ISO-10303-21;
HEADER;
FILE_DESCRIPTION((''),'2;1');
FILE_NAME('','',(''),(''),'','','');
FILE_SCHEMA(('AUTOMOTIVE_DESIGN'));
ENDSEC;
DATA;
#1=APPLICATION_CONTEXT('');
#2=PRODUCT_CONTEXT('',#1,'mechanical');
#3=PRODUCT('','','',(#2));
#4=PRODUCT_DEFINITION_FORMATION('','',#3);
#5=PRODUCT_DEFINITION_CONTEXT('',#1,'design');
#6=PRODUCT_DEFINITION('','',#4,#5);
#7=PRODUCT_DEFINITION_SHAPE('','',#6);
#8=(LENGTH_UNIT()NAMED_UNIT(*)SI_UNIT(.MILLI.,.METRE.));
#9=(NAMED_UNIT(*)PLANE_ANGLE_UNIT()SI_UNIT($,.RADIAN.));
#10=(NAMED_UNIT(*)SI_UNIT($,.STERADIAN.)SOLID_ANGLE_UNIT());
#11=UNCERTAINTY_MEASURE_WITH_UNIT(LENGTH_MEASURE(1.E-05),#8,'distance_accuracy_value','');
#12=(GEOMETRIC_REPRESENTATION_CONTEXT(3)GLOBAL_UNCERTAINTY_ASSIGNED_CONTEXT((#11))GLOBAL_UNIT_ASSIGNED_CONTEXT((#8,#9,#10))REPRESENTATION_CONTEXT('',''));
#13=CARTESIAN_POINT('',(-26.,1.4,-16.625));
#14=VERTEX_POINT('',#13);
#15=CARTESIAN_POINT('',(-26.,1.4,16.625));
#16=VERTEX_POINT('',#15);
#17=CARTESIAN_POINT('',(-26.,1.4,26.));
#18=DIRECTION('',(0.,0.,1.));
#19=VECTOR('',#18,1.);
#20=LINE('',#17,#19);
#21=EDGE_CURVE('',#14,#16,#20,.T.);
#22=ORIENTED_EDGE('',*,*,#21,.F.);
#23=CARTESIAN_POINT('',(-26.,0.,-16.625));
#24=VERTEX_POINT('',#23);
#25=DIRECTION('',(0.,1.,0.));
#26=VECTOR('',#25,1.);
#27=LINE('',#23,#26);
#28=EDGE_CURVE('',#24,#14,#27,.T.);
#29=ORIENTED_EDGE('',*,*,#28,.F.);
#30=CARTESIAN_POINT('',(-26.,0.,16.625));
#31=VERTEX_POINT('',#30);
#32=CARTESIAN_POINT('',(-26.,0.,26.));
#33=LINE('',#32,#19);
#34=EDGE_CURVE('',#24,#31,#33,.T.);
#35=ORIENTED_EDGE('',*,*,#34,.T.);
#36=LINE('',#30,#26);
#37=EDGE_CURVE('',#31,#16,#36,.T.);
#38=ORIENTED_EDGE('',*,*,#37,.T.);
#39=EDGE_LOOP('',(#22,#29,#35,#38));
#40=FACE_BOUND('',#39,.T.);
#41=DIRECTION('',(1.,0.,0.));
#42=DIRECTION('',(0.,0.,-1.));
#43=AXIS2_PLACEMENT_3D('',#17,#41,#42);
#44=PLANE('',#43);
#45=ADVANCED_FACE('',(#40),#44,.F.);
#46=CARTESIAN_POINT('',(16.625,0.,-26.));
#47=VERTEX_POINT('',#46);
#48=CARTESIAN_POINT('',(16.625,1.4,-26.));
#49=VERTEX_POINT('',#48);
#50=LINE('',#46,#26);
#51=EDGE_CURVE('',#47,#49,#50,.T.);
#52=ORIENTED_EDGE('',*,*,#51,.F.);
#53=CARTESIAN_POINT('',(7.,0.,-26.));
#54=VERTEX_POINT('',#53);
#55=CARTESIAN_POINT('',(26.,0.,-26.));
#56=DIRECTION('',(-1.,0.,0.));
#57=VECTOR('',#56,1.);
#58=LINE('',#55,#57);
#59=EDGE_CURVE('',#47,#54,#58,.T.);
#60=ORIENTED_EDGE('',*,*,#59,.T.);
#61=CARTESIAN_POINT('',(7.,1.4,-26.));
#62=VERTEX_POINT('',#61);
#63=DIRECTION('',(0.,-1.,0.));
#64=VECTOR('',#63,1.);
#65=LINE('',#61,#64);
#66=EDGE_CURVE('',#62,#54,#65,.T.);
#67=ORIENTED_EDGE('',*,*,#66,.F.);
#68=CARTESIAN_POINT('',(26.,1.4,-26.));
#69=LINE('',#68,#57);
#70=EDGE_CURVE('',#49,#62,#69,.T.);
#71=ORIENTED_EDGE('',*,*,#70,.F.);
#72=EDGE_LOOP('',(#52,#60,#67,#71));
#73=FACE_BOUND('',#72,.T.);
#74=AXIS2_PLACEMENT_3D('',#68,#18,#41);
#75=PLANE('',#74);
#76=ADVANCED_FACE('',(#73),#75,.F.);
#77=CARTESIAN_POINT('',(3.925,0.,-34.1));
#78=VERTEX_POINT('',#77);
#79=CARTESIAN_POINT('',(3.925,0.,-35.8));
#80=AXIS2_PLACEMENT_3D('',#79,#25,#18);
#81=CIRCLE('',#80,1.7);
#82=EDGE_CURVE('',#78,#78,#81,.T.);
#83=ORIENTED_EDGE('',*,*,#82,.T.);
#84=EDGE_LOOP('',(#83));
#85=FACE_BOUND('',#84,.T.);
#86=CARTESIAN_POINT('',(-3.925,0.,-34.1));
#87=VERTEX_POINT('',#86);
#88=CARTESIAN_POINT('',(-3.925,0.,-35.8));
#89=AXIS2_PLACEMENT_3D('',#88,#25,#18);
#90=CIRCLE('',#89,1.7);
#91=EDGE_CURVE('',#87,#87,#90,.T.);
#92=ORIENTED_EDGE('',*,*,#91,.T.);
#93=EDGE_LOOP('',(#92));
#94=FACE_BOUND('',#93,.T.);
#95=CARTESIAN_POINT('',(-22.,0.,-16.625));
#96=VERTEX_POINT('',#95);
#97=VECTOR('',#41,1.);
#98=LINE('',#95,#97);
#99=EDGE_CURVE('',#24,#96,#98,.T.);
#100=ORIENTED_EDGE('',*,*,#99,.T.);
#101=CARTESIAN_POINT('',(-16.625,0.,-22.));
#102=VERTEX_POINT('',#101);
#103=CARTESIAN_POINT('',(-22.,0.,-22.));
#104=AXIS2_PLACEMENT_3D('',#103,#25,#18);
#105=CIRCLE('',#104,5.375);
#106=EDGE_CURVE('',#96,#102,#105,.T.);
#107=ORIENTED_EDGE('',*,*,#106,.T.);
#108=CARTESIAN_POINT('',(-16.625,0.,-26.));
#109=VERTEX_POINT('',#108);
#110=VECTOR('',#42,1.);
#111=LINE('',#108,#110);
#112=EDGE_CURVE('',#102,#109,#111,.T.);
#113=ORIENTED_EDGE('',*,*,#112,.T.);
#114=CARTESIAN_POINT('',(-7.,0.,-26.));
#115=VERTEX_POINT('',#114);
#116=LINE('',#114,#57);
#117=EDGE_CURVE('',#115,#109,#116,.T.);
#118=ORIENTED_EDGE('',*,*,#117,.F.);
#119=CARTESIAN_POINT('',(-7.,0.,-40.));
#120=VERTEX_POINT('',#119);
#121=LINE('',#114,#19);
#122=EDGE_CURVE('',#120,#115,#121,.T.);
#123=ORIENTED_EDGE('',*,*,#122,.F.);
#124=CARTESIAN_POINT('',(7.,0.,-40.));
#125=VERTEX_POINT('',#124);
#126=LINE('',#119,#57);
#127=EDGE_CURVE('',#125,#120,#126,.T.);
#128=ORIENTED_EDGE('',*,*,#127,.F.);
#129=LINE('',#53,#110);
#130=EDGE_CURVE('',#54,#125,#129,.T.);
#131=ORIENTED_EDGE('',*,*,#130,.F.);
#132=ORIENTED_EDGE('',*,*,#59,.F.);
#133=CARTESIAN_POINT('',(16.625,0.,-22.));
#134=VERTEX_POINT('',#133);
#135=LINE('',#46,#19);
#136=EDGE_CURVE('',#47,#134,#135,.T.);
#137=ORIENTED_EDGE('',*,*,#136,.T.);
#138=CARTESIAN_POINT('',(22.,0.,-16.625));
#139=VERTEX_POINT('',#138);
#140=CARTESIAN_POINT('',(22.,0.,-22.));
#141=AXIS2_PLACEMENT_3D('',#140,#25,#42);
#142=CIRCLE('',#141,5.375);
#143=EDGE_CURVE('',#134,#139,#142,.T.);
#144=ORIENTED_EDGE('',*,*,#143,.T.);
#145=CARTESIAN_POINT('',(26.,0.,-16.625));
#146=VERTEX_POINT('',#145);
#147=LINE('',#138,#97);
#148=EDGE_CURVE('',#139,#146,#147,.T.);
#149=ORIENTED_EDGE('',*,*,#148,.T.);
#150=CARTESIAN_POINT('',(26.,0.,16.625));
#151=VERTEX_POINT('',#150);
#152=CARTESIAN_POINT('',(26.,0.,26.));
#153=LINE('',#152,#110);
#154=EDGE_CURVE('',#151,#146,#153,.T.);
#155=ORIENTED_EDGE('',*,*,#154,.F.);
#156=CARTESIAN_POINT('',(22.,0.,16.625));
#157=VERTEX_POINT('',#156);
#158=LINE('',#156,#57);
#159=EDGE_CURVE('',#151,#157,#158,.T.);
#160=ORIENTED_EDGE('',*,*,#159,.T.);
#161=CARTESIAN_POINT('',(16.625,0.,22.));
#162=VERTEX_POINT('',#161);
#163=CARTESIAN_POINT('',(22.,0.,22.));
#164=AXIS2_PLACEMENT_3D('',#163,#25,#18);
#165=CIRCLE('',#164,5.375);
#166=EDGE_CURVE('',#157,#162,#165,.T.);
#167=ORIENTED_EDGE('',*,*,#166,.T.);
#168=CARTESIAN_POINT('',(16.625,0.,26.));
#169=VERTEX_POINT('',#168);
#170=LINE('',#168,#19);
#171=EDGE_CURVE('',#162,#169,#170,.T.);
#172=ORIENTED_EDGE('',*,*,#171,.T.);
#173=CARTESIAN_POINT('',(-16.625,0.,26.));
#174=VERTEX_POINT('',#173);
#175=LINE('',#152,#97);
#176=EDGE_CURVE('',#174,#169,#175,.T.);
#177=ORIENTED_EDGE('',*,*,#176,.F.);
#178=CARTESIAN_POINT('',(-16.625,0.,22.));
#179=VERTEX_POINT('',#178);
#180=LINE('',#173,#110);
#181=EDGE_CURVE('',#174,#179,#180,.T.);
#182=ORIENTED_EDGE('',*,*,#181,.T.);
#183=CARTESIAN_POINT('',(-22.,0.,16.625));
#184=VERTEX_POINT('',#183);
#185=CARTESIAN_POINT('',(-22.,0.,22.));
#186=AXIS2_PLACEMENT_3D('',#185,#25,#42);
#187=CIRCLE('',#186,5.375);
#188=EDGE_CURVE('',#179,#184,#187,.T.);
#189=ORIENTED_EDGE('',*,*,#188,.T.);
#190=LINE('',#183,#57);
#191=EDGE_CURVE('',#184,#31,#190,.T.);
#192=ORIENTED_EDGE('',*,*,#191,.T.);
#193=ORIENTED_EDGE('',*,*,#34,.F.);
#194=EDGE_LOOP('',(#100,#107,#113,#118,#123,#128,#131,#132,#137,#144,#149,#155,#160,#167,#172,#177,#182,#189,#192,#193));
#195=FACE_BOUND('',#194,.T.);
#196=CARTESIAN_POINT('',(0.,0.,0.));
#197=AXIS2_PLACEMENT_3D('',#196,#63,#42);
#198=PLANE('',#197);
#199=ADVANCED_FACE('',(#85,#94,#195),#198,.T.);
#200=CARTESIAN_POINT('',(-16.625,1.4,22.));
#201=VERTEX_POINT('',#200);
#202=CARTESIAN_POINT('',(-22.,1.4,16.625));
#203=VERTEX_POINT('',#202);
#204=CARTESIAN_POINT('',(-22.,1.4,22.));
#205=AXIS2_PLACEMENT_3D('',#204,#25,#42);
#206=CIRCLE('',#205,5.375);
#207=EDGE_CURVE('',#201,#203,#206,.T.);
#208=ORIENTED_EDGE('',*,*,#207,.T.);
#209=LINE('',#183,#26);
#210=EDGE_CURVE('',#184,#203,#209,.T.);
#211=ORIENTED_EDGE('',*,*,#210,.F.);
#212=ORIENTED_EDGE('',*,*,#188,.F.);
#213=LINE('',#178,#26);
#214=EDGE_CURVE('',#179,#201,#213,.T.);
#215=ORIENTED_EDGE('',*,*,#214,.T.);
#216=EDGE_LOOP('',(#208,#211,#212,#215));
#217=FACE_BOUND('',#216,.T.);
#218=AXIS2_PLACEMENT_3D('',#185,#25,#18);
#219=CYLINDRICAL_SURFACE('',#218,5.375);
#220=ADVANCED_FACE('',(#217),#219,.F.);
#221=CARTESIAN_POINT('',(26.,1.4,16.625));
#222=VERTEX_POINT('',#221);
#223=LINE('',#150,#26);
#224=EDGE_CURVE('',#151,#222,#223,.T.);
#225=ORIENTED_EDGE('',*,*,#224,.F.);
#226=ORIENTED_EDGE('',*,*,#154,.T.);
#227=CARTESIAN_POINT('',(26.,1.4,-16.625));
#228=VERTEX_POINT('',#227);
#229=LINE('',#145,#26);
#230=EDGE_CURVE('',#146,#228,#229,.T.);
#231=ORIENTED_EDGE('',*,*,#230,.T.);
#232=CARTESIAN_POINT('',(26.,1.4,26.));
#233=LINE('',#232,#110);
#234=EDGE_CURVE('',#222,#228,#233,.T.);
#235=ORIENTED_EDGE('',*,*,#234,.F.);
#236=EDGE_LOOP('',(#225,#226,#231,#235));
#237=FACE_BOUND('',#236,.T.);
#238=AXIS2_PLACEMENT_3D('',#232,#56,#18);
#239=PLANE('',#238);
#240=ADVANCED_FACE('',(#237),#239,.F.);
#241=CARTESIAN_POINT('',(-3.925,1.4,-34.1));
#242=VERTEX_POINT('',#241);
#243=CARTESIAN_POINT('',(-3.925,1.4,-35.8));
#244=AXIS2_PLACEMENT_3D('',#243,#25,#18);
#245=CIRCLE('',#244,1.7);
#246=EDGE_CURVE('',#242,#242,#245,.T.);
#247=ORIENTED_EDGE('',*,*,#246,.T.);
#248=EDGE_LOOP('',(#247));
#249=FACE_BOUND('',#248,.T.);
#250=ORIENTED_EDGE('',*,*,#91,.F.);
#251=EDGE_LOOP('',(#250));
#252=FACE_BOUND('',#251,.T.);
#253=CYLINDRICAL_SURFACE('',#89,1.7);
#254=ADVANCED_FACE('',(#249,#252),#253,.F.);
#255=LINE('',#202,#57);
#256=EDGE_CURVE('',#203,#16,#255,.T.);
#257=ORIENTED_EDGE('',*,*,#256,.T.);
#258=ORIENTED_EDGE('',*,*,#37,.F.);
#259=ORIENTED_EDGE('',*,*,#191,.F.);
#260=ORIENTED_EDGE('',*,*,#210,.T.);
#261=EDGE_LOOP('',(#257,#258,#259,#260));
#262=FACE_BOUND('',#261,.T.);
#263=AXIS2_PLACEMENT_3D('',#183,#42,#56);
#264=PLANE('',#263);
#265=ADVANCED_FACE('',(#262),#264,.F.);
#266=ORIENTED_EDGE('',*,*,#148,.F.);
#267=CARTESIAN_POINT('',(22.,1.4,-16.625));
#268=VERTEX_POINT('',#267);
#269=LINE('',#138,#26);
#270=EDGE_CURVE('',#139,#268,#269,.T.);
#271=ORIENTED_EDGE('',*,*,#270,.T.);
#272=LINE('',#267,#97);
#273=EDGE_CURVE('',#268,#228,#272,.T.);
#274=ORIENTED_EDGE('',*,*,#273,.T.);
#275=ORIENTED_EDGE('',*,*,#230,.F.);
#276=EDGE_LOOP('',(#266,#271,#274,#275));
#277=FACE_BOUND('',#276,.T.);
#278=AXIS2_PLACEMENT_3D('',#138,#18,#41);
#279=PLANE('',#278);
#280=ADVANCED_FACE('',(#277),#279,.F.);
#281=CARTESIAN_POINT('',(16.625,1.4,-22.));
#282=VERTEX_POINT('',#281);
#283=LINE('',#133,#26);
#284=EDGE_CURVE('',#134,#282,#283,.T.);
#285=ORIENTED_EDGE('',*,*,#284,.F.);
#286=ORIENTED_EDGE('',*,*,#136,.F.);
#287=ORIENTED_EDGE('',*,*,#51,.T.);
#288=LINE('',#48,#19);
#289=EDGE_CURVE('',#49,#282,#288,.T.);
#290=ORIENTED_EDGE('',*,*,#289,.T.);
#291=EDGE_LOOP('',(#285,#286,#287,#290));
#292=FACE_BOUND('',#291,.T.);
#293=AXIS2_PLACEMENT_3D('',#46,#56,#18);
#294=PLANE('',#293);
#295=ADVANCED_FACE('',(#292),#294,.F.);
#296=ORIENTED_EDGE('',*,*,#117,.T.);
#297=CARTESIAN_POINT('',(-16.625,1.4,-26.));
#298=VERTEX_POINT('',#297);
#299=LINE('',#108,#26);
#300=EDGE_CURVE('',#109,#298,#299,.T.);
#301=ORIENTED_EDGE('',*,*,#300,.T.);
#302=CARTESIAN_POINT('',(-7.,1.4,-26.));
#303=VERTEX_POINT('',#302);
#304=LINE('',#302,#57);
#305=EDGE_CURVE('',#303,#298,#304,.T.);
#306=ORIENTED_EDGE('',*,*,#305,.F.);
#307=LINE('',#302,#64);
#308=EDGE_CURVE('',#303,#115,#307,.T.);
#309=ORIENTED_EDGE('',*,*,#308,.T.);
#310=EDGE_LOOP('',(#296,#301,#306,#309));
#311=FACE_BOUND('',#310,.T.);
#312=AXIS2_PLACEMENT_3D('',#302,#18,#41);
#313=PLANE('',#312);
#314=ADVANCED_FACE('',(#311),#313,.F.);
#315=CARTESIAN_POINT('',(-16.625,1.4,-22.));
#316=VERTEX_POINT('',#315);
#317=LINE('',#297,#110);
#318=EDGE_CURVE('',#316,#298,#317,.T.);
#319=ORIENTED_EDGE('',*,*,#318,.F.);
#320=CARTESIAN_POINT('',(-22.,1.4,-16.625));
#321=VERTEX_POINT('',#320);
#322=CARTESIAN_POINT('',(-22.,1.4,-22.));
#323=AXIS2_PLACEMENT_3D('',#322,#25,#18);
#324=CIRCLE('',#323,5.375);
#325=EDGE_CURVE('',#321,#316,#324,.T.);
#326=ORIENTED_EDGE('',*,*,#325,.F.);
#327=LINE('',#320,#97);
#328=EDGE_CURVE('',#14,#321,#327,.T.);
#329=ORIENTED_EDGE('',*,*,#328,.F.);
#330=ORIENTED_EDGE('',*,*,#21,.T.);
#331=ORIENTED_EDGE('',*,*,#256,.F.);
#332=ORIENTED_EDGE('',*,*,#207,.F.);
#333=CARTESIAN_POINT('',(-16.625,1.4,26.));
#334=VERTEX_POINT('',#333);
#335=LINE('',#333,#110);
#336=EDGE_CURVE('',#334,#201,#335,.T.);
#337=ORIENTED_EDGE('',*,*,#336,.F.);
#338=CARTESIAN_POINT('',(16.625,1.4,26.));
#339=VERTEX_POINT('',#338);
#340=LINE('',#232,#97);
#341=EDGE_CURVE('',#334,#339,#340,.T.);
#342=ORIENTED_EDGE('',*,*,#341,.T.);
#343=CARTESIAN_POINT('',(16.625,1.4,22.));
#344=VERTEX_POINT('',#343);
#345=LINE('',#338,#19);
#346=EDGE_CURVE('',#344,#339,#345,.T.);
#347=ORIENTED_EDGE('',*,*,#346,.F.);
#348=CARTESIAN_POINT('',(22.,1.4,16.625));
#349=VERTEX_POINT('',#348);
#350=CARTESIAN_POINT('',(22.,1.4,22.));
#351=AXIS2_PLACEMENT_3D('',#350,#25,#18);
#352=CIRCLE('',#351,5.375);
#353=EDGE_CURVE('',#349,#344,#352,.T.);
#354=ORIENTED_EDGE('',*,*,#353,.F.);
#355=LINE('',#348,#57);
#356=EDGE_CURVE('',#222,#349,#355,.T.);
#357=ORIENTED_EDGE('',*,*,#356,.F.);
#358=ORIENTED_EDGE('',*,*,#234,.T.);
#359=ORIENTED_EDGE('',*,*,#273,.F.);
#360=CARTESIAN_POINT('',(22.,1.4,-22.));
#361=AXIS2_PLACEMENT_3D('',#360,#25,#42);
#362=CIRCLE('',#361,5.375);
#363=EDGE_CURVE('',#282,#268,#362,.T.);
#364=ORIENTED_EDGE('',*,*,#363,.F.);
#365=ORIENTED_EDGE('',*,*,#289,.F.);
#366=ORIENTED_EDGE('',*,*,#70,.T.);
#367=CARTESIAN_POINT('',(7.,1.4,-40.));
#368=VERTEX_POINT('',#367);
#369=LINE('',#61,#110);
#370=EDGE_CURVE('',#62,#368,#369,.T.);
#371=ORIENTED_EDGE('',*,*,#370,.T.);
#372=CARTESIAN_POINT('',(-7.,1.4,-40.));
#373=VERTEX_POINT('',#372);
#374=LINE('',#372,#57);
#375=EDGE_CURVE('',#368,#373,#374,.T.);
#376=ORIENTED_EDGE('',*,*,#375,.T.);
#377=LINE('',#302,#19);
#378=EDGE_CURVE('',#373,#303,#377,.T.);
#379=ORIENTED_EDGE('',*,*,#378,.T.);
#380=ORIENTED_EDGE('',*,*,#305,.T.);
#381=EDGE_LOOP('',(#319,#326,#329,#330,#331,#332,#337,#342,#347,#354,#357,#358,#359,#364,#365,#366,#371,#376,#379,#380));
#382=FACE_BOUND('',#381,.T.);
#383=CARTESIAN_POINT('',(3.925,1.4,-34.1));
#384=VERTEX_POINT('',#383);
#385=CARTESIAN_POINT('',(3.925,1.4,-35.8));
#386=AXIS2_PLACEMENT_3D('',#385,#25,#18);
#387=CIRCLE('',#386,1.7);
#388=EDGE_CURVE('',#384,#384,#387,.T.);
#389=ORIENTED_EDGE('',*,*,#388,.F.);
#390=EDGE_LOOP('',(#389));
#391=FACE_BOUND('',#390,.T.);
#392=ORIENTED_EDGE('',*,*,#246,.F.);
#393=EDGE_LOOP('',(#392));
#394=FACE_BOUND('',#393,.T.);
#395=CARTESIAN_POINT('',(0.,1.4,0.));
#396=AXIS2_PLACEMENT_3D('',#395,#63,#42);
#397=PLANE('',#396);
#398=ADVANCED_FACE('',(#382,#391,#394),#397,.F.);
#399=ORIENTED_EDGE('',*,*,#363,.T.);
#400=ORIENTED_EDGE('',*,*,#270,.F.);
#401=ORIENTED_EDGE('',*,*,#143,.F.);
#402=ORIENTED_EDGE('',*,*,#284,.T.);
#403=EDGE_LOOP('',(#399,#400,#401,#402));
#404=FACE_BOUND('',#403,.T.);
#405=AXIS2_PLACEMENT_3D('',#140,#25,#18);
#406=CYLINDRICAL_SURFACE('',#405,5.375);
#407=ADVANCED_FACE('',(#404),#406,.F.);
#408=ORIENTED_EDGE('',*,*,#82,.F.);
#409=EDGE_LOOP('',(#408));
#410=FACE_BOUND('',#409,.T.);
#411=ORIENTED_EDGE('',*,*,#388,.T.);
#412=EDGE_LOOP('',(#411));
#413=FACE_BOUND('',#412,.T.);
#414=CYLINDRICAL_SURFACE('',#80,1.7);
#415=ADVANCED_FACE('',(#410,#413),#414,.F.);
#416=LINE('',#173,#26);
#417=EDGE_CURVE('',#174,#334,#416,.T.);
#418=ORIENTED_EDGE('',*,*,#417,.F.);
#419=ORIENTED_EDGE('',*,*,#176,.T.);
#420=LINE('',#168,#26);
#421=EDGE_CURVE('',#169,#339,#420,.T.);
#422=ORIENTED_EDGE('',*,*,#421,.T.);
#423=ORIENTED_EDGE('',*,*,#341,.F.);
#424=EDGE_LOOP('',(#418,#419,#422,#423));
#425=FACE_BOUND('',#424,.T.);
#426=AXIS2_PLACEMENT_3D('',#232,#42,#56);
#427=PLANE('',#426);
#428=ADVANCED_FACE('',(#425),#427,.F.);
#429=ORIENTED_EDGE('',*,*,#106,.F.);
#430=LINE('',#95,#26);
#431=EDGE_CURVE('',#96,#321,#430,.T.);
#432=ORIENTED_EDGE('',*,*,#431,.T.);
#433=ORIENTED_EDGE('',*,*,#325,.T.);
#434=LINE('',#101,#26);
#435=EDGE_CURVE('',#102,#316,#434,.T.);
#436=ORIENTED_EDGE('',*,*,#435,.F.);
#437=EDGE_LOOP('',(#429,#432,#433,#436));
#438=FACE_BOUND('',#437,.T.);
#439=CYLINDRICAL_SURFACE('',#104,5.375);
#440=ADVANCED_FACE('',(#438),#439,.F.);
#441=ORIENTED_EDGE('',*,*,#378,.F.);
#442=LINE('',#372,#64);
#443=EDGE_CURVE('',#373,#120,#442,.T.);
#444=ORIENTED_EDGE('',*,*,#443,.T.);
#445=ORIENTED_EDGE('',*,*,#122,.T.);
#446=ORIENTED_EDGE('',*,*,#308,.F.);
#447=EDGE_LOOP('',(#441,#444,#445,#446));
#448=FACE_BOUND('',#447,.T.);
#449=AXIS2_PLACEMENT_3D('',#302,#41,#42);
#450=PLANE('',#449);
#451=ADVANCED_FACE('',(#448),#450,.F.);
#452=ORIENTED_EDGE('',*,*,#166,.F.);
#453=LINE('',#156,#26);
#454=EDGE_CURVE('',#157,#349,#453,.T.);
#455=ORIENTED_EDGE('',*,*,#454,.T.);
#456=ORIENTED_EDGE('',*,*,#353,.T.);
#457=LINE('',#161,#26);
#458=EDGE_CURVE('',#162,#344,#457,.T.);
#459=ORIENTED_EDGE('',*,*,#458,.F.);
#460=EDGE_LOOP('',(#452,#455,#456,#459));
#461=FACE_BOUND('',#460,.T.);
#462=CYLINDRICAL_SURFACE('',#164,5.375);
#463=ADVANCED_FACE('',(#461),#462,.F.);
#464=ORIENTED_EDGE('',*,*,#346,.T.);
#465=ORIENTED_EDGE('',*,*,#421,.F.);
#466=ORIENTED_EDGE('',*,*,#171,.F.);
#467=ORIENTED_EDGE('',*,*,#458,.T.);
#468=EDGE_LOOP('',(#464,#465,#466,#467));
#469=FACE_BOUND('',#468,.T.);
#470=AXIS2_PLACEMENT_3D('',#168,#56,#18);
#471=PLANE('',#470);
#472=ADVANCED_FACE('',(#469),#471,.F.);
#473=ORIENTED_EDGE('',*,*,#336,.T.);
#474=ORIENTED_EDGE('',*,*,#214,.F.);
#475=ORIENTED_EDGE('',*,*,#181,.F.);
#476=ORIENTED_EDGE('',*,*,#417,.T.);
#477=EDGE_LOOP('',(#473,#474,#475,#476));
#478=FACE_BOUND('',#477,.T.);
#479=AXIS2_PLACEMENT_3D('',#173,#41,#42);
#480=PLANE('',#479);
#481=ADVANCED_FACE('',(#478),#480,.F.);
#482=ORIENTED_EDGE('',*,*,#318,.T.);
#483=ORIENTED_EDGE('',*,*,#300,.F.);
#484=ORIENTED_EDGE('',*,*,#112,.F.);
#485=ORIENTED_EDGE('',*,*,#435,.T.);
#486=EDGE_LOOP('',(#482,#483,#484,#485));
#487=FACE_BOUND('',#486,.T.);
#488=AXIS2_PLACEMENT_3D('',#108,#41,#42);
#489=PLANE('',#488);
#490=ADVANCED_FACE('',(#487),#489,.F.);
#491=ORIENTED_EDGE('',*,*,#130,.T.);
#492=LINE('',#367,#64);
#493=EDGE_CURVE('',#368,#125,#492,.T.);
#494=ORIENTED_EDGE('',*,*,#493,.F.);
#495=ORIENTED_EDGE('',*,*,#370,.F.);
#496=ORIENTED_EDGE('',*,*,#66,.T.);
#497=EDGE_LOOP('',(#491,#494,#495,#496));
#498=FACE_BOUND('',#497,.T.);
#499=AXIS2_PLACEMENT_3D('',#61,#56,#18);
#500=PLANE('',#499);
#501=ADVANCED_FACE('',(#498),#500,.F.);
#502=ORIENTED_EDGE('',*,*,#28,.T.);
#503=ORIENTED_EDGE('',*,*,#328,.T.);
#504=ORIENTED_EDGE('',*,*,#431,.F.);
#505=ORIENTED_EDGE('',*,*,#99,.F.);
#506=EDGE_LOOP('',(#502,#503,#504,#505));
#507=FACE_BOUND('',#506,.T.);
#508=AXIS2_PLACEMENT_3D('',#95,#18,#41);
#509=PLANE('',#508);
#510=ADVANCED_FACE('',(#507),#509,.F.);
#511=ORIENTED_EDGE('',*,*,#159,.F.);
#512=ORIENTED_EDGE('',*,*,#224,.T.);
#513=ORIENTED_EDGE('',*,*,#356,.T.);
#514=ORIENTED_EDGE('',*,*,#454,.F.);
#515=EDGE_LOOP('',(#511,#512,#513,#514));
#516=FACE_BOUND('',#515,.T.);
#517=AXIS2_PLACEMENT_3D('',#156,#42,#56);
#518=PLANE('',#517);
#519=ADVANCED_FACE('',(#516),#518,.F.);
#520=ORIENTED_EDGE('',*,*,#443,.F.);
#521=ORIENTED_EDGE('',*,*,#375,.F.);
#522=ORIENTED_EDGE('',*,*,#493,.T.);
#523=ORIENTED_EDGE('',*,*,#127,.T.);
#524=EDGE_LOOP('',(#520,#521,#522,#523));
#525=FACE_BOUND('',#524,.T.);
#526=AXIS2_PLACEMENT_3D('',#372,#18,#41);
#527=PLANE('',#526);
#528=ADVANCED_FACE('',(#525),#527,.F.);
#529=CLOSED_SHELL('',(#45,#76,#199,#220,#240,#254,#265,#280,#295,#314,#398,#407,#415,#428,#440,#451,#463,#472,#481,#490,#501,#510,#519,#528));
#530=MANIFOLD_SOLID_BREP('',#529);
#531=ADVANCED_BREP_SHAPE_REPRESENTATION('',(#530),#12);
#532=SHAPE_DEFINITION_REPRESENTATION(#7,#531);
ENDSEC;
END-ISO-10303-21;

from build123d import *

# Parameters (mm, degrees)
BOSS_EXTRUDE1_DEPTH = 1.4
SKETCH2_R           = 1.25
CUT_EXTRUDE2_DEPTH  = 48.727979216
CUT_EXTRUDE3_DEPTH  = 48.727979216
SKETCH6_R           = 1.7
CUT_EXTRUDE4_DEPTH  = 48.727979216


with BuildPart() as part:
    # Sketch1 → Boss-Extrude1 (new body)
    with BuildSketch(Plane(origin=(0, 0, 0), x_dir=(1, 0, 0), z_dir=(0, 1, 0))):
        Polygon((26, -26), (-26, -26), (-26, 26), (-7, 26), (-7, 40), (7, 40), (7, 26), (26, 26), align=None)
    extrude(amount=BOSS_EXTRUDE1_DEPTH)

    # Sketch2 → Cut-Extrude2 (cut, through all)
    with BuildSketch(Plane(origin=(0, 0, 0), x_dir=(1, 0, 0), z_dir=(0, 1, 0))):
        with Locations((-22, 22)):
            Circle(SKETCH2_R)
        with Locations((22, 22)):
            Circle(SKETCH2_R)
        with Locations((22, -22)):
            Circle(SKETCH2_R)
        with Locations((-22, -22)):
            Circle(SKETCH2_R)
    extrude(amount=CUT_EXTRUDE2_DEPTH, mode=Mode.SUBTRACT)

    # Sketch5 → Cut-Extrude3 (cut, through all)
    with BuildSketch(Plane(origin=(0, 1.4, 0), x_dir=(1, 0, 0), z_dir=(0, 1, 0))):
        with BuildLine():
            Line((-26, 26), (-16.625, 26))
            Line((-16.625, 26), (-16.625, 22))
            ThreePointArc((-16.625, 22), (-18.199301051, 18.199301051), (-22, 16.625))
            Line((-22, 16.625), (-26, 16.625))
            Line((-26, 16.625), (-26, 26))
        make_face()
        with BuildLine():
            Line((22, 16.625), (26, 16.625))
            Line((26, 16.625), (26, 26))
            Line((26, 26), (16.625, 26))
            Line((16.625, 26), (16.625, 22))
            ThreePointArc((16.625, 22), (18.199301051, 18.199301051), (22, 16.625))
        make_face()
        with BuildLine():
            Line((-22, -16.625), (-26, -16.625))
            Line((-26, -16.625), (-26, -26))
            Line((-26, -26), (-16.625, -26))
            Line((-16.625, -26), (-16.625, -22))
            ThreePointArc((-16.625, -22), (-18.199301051, -18.199301051), (-22, -16.625))
        make_face()
        with BuildLine():
            Line((26, -26), (16.625, -26))
            Line((16.625, -26), (16.625, -22))
            ThreePointArc((16.625, -22), (18.199301051, -18.199301051), (22, -16.625))
            Line((22, -16.625), (26, -16.625))
            Line((26, -16.625), (26, -26))
        make_face()
    extrude(amount=-CUT_EXTRUDE3_DEPTH, mode=Mode.SUBTRACT)

    # Sketch6 → Cut-Extrude4 (cut, through all)
    with BuildSketch(Plane(origin=(0, 1.4, 0), x_dir=(1, 0, 0), z_dir=(0, 1, 0))):
        with Locations((3.925, 35.8)):
            Circle(SKETCH6_R)
        with Locations((-3.925, 35.8)):
            Circle(SKETCH6_R)
    extrude(amount=-CUT_EXTRUDE4_DEPTH, mode=Mode.SUBTRACT)


solid = part.part
